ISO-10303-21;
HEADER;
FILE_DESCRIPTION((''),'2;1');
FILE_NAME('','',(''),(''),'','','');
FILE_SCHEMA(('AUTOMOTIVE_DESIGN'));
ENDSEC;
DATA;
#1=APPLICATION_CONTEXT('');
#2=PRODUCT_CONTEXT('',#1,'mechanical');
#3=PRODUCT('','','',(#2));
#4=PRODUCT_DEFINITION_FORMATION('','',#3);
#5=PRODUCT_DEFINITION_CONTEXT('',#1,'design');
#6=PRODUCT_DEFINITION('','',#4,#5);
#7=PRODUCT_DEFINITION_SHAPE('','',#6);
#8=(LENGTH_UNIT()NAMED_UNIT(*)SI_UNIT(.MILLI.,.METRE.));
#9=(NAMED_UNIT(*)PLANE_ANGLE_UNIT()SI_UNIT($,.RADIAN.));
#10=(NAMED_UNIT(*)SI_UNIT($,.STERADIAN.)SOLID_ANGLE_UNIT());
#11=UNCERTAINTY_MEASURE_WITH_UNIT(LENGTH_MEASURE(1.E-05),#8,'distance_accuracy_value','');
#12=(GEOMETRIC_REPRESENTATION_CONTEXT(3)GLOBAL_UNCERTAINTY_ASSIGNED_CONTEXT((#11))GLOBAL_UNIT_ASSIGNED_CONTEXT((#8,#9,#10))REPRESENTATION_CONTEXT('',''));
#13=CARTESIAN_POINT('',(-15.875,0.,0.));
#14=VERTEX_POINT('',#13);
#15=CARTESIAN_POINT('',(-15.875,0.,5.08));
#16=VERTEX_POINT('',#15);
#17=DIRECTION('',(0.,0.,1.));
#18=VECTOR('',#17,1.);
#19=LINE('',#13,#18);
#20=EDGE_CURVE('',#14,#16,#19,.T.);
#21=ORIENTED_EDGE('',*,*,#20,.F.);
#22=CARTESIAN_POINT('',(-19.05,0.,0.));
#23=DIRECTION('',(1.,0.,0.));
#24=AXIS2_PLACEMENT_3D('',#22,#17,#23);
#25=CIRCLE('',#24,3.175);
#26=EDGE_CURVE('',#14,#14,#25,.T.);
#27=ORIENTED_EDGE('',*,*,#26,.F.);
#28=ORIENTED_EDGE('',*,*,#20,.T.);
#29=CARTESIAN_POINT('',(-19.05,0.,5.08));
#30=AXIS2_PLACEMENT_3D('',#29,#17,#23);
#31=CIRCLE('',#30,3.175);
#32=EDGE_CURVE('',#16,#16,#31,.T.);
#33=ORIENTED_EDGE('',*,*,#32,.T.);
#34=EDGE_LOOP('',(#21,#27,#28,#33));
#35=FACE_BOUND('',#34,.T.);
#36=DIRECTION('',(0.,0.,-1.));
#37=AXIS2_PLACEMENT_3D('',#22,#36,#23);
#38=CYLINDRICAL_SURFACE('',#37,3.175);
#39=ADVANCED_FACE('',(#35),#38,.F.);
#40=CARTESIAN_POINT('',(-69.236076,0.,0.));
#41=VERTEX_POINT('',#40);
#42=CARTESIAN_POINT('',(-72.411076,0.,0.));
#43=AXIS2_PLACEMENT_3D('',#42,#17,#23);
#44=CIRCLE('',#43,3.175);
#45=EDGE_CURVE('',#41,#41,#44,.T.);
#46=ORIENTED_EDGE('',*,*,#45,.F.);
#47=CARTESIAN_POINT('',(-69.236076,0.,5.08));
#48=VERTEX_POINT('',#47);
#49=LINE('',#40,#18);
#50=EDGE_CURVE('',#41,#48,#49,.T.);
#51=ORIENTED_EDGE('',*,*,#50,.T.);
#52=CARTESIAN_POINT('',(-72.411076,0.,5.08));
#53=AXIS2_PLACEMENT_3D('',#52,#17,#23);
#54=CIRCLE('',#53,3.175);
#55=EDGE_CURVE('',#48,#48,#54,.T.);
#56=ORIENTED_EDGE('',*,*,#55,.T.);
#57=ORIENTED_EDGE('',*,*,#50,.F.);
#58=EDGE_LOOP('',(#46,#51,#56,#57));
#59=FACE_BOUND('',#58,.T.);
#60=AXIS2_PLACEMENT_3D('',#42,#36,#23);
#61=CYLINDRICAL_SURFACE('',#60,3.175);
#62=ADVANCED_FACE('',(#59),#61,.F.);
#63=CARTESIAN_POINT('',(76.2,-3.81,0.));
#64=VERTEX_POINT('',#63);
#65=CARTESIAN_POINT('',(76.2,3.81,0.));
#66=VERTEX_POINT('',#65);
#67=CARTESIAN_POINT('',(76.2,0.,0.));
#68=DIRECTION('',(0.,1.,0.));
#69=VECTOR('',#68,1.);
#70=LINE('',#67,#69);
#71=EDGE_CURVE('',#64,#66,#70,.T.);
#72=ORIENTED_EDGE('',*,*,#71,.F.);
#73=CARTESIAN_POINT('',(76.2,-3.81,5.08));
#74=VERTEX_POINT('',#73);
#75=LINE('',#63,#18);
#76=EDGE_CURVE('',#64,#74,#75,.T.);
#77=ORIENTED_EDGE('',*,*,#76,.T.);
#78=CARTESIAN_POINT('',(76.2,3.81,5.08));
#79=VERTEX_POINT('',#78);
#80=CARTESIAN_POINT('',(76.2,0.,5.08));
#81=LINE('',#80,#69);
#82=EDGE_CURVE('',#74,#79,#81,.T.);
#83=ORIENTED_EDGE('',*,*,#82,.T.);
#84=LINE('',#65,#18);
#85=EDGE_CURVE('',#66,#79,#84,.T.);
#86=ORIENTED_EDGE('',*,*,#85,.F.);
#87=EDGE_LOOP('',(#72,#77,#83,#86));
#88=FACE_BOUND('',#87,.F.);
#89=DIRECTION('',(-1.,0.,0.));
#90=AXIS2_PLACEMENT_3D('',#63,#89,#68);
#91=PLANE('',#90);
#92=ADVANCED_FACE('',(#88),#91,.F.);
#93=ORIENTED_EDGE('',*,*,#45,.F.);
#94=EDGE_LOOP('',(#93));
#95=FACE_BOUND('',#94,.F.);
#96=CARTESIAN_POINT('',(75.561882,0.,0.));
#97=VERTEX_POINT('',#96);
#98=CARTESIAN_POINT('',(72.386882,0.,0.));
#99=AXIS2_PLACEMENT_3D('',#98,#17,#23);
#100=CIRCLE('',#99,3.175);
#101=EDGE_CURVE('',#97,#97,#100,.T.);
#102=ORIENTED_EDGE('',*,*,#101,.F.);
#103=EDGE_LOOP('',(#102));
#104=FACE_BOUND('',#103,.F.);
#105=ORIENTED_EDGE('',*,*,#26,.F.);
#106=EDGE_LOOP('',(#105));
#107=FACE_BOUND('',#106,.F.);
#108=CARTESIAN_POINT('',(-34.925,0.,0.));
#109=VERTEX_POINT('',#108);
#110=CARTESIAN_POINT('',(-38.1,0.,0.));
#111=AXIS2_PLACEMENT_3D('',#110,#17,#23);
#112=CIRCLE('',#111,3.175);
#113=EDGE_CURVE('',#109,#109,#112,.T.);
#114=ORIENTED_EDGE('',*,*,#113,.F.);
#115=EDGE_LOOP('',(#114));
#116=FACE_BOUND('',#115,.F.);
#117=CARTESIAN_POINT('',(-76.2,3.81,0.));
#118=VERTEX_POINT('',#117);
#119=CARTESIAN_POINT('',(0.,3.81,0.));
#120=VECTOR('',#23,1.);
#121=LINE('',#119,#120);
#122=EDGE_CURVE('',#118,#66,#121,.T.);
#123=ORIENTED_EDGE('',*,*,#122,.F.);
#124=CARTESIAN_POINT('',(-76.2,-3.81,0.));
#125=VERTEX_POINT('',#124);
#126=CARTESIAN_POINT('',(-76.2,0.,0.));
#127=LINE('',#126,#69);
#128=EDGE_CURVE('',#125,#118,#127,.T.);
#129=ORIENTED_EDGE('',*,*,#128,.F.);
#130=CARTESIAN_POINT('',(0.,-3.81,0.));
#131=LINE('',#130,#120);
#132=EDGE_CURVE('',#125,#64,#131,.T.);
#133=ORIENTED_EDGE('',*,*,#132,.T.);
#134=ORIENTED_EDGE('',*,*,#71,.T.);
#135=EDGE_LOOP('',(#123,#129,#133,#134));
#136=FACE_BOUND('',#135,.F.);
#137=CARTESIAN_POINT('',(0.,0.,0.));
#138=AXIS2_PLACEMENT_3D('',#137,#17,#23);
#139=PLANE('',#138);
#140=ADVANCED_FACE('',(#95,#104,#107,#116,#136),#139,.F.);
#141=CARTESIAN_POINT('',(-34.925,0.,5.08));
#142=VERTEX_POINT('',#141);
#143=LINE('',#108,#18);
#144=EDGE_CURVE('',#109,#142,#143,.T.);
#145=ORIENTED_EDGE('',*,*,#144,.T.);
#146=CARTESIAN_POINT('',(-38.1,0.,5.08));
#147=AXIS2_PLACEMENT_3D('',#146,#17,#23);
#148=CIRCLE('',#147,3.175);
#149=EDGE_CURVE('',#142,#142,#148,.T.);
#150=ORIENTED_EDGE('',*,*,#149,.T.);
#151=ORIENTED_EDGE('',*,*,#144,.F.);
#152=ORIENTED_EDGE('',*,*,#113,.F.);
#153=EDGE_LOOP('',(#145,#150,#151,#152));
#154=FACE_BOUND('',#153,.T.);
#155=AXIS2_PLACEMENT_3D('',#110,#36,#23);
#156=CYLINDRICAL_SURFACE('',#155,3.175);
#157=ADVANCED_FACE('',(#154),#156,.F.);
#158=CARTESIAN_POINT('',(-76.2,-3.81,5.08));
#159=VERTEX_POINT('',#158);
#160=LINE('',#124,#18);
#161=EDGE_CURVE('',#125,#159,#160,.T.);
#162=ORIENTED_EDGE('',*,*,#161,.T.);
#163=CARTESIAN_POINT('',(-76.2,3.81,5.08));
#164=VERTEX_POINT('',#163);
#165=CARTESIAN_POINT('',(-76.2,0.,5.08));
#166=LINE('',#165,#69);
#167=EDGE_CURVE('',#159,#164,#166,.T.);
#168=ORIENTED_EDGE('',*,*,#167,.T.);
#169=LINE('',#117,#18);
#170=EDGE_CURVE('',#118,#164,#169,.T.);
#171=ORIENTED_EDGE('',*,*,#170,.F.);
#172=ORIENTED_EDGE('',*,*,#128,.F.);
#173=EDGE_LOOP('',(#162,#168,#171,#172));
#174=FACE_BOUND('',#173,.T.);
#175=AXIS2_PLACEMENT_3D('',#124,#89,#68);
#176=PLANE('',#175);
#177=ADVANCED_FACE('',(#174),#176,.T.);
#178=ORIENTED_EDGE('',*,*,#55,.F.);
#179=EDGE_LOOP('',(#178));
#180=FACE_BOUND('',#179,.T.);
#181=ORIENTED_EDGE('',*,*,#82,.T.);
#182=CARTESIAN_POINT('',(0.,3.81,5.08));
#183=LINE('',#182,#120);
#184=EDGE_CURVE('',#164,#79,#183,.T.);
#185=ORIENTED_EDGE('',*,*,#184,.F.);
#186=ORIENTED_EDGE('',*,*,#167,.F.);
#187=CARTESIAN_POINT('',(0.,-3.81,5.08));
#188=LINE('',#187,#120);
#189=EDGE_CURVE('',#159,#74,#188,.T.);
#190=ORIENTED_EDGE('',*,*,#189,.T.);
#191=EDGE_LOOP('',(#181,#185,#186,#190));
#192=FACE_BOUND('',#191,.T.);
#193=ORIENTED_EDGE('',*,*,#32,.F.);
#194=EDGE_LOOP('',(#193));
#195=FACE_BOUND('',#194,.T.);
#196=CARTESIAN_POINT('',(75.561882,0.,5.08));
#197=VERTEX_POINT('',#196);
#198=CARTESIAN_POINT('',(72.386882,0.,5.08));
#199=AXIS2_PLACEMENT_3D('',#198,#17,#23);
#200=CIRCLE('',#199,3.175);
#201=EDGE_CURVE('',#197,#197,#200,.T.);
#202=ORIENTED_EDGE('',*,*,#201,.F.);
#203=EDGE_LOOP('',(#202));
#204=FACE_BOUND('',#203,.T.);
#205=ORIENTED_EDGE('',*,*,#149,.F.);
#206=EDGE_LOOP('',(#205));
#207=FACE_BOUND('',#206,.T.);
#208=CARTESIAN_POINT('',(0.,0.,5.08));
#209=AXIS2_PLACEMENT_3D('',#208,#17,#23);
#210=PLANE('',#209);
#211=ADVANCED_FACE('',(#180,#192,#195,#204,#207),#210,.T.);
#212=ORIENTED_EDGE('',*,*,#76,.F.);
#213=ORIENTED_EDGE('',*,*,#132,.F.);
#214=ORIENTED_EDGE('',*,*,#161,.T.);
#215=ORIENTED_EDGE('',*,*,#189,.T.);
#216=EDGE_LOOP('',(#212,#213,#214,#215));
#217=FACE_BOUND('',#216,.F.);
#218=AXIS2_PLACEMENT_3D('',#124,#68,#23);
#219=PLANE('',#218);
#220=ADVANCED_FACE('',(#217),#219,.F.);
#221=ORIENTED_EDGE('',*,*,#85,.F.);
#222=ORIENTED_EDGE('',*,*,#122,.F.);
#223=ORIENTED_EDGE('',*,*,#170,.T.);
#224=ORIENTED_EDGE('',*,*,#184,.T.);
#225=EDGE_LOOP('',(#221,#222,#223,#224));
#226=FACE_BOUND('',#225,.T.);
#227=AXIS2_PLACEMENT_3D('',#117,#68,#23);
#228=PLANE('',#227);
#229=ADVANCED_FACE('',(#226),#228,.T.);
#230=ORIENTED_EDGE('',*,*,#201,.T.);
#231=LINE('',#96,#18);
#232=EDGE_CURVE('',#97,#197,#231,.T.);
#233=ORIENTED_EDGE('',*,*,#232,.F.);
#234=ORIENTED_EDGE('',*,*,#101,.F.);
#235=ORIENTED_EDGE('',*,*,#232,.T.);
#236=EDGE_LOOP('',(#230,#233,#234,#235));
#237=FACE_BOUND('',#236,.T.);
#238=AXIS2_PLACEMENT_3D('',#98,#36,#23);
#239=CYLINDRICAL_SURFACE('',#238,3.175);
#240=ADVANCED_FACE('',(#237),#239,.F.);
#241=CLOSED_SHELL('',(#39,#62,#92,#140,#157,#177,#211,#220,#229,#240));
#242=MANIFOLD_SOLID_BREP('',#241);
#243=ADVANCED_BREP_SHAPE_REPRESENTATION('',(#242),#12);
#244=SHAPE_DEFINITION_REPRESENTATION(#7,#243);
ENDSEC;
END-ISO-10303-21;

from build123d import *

# Parameters (mm, degrees)
F0_W     = 152.4
F0_H     = 7.62
F0_R     = 3.175
F1_DEPTH = 5.08
F2_DEPTH = 5.08


with BuildPart() as f1:
    # F0 (on Top) → F1 (new body)
    with BuildSketch(Plane.XY):
        Rectangle(F0_W, F0_H)
        with Locations((-72.411076, 0)):
            Circle(F0_R, mode=Mode.SUBTRACT)
        with Locations((-38.1, 0)):
            Circle(F0_R, mode=Mode.SUBTRACT)
        with Locations((-19.05, 0)):
            Circle(F0_R, mode=Mode.SUBTRACT)
        with Locations((72.386882, 0)):
            Circle(F0_R, mode=Mode.SUBTRACT)
    extrude(amount=F1_DEPTH)


with BuildPart() as f2:
    # F0 (on Top) → F2 (new body)
    with BuildSketch(Plane.XY):
        Rectangle(F0_W, F0_H)
        with Locations((-72.411076, 0)):
            Circle(F0_R, mode=Mode.SUBTRACT)
        with Locations((-38.1, 0)):
            Circle(F0_R, mode=Mode.SUBTRACT)
        with Locations((-19.05, 0)):
            Circle(F0_R, mode=Mode.SUBTRACT)
        with Locations((72.386882, 0)):
            Circle(F0_R, mode=Mode.SUBTRACT)
    extrude(amount=F2_DEPTH)


solid = f2.part
